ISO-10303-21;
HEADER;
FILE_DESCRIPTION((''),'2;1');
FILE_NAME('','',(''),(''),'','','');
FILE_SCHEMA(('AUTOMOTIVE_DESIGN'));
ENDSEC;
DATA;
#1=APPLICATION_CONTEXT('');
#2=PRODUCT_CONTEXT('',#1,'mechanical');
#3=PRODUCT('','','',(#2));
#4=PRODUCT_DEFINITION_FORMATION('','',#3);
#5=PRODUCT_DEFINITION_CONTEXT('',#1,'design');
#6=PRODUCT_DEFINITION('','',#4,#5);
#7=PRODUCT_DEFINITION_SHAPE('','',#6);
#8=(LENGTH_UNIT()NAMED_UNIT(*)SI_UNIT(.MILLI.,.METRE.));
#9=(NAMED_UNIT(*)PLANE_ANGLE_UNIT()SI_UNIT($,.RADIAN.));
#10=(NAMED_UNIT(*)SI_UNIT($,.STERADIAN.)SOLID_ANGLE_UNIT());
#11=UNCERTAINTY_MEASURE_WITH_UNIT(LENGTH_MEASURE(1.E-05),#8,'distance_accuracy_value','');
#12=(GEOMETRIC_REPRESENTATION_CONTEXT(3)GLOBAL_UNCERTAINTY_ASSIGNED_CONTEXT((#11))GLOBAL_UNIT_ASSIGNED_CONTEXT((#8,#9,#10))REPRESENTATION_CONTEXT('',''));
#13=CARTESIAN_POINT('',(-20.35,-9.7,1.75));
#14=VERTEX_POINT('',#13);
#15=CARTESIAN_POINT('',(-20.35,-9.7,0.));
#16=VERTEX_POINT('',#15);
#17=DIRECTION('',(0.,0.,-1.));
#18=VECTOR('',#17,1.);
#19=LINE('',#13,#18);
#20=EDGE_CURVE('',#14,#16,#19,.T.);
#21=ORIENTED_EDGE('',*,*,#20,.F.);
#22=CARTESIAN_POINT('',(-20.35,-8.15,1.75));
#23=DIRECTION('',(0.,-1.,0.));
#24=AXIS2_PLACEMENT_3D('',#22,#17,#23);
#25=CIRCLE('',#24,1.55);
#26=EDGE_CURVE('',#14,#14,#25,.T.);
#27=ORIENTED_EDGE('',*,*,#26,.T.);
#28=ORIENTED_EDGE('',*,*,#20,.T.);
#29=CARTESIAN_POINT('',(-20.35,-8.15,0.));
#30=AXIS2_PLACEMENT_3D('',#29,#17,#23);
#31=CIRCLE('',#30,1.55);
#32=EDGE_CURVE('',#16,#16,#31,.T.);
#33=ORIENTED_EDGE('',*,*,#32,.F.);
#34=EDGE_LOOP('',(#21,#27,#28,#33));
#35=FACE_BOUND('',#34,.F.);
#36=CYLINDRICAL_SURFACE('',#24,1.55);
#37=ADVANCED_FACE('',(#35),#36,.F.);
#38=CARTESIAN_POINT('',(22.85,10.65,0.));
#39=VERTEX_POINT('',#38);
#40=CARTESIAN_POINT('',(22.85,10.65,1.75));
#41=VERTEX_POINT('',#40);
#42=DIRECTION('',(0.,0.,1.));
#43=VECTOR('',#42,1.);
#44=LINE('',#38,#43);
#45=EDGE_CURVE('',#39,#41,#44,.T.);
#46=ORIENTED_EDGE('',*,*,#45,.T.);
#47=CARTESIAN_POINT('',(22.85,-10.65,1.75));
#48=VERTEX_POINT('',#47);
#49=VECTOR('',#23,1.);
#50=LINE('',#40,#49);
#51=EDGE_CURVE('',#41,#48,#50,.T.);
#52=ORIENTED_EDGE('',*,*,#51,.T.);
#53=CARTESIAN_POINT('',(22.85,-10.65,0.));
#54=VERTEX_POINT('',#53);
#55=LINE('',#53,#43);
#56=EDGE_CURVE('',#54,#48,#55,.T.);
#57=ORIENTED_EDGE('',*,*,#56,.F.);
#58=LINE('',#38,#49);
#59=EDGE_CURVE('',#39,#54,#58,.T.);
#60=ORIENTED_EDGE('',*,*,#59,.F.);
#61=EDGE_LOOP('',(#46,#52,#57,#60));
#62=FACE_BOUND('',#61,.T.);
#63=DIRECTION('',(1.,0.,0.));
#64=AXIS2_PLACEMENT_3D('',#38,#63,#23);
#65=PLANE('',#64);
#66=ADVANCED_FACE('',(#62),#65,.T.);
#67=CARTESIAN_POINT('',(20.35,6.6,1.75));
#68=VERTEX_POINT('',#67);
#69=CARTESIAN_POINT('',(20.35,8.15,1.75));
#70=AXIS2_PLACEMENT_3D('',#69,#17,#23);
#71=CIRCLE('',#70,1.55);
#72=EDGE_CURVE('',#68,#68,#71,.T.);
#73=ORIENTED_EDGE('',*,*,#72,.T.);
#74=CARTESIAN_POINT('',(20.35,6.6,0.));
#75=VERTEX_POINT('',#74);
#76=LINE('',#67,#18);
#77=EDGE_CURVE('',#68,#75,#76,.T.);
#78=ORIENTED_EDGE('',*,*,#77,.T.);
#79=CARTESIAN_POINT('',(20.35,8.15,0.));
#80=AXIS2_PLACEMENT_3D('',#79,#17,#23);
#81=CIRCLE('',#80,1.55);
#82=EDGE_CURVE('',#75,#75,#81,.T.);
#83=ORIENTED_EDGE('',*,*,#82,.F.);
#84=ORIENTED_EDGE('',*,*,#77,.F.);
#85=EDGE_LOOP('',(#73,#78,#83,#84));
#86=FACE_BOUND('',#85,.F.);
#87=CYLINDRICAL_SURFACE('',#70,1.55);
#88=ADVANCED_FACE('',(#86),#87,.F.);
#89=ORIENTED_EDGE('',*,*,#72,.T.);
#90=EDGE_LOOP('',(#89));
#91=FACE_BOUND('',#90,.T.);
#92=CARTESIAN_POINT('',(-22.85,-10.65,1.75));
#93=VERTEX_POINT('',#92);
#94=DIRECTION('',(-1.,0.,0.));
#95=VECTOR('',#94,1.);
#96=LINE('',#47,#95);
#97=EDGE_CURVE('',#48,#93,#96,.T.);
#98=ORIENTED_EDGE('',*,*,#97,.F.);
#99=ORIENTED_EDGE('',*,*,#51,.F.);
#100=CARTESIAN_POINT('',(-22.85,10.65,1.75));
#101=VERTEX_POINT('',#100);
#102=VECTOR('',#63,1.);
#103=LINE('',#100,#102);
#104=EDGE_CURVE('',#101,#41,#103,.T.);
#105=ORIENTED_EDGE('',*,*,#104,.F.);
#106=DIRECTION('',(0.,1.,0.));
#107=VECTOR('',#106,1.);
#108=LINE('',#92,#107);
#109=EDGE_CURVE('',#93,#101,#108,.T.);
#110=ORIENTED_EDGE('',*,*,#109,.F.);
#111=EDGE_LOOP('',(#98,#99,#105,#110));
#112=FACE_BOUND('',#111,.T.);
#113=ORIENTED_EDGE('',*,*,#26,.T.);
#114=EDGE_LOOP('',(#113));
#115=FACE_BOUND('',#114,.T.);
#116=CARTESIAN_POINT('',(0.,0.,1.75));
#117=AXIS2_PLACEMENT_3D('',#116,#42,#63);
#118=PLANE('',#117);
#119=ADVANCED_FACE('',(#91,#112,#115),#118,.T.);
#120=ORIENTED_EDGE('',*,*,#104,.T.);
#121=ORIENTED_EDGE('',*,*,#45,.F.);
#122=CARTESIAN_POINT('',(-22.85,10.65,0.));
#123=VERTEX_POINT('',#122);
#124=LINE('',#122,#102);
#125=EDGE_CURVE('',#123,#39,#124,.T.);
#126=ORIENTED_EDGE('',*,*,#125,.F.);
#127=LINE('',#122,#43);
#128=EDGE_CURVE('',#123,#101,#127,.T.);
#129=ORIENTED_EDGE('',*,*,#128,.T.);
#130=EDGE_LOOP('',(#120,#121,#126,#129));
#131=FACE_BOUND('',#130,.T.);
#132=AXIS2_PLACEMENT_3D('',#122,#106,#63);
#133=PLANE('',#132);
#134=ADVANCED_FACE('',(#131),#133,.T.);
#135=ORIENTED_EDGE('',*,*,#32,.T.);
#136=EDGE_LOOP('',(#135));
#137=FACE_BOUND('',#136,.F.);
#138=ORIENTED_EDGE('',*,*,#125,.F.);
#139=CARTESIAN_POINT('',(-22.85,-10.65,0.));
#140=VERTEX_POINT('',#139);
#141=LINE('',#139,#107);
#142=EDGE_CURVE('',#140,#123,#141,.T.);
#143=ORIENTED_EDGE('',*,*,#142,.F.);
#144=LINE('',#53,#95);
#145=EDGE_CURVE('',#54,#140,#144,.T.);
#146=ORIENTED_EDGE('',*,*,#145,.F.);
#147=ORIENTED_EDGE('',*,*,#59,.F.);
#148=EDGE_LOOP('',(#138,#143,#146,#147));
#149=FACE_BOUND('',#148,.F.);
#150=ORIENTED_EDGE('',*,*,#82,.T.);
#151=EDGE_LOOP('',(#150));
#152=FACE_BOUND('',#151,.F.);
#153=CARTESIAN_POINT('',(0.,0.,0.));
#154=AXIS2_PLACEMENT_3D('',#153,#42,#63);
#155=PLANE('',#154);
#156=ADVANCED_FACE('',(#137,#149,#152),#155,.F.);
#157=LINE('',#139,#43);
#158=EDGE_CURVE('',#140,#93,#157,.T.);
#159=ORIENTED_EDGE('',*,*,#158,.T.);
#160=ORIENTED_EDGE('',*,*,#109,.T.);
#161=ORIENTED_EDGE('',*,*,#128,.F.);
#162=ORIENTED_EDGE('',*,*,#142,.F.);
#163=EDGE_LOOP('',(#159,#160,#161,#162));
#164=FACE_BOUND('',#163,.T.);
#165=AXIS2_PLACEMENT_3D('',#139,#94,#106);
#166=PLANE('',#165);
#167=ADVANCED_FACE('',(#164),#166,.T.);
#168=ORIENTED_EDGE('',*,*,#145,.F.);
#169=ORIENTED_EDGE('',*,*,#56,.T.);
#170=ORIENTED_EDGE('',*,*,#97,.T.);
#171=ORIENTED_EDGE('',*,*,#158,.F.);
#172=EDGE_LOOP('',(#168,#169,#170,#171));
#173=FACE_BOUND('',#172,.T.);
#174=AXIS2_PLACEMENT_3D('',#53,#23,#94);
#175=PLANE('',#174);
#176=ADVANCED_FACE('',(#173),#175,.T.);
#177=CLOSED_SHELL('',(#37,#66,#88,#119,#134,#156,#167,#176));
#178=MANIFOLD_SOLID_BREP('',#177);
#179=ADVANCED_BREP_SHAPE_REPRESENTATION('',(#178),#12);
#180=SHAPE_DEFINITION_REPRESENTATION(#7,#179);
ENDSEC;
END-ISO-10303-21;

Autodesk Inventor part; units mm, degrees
ref_plane "YZ Plane" through (0, 0, 0) normal (1, 0, 0) x (0, 1, 0)
ref_plane "XZ Plane" through (0, 0, 0) normal (0, 1, 0) x (-1, 0, 0)
ref_plane "XY Plane" through (0, 0, 0) normal (0, 0, 1) x (1, 0, 0)
sketch "Sketch1" plane through (0, 0, 0) normal (0, 0, 1) x (1, 0, 0)
  line L0 (-22.85, 10.65) -> (22.85, 10.65)
  line L1 (22.85, 10.65) -> (22.85, -10.65)
  line L2 (22.85, -10.65) -> (-22.85, -10.65)
  line L3 (-22.85, -10.65) -> (-22.85, 10.65)
  line L4 (0, 0) -> (0, 10.65) construction
  line L5 (0, 0) -> (0, -10.65) construction
  line L6 (0, 0) -> (22.85, 0) construction
  line L7 (0, 0) -> (-22.85, 0) construction
  dimension "d0" = 45.7
  dimension "d1" = 21.3
extrude "Extrusion1" add sketch "Sketch1" along normal blind 1.75
sketch "Sketch2" plane through (0, 0, 1.75) normal (0, 0, 1) x (1, 0, 0)
  line L0 (22.85, 10.65) -> (22.85, -10.65) projected
  line L1 (-22.85, 10.65) -> (22.85, 10.65) projected
  line L2 (22.85, -10.65) -> (-22.85, -10.65) projected
  point P0 (-20.35, -8.15)
  point P1 (20.35, 8.15)
  dimension "d4" = 2.5
  dimension "d5" = 2.5
  dimension "d6" = 2.5
  dimension "d7" = 2.5
hole "Hole1" at (-20.35, -8.15, 1.75) at (20.35, 8.15, 1.75) direction (0, 0, -1) diameter 3.1 end through all
properties part number "Parallax_Ping_PCB" material "Phenolic"
